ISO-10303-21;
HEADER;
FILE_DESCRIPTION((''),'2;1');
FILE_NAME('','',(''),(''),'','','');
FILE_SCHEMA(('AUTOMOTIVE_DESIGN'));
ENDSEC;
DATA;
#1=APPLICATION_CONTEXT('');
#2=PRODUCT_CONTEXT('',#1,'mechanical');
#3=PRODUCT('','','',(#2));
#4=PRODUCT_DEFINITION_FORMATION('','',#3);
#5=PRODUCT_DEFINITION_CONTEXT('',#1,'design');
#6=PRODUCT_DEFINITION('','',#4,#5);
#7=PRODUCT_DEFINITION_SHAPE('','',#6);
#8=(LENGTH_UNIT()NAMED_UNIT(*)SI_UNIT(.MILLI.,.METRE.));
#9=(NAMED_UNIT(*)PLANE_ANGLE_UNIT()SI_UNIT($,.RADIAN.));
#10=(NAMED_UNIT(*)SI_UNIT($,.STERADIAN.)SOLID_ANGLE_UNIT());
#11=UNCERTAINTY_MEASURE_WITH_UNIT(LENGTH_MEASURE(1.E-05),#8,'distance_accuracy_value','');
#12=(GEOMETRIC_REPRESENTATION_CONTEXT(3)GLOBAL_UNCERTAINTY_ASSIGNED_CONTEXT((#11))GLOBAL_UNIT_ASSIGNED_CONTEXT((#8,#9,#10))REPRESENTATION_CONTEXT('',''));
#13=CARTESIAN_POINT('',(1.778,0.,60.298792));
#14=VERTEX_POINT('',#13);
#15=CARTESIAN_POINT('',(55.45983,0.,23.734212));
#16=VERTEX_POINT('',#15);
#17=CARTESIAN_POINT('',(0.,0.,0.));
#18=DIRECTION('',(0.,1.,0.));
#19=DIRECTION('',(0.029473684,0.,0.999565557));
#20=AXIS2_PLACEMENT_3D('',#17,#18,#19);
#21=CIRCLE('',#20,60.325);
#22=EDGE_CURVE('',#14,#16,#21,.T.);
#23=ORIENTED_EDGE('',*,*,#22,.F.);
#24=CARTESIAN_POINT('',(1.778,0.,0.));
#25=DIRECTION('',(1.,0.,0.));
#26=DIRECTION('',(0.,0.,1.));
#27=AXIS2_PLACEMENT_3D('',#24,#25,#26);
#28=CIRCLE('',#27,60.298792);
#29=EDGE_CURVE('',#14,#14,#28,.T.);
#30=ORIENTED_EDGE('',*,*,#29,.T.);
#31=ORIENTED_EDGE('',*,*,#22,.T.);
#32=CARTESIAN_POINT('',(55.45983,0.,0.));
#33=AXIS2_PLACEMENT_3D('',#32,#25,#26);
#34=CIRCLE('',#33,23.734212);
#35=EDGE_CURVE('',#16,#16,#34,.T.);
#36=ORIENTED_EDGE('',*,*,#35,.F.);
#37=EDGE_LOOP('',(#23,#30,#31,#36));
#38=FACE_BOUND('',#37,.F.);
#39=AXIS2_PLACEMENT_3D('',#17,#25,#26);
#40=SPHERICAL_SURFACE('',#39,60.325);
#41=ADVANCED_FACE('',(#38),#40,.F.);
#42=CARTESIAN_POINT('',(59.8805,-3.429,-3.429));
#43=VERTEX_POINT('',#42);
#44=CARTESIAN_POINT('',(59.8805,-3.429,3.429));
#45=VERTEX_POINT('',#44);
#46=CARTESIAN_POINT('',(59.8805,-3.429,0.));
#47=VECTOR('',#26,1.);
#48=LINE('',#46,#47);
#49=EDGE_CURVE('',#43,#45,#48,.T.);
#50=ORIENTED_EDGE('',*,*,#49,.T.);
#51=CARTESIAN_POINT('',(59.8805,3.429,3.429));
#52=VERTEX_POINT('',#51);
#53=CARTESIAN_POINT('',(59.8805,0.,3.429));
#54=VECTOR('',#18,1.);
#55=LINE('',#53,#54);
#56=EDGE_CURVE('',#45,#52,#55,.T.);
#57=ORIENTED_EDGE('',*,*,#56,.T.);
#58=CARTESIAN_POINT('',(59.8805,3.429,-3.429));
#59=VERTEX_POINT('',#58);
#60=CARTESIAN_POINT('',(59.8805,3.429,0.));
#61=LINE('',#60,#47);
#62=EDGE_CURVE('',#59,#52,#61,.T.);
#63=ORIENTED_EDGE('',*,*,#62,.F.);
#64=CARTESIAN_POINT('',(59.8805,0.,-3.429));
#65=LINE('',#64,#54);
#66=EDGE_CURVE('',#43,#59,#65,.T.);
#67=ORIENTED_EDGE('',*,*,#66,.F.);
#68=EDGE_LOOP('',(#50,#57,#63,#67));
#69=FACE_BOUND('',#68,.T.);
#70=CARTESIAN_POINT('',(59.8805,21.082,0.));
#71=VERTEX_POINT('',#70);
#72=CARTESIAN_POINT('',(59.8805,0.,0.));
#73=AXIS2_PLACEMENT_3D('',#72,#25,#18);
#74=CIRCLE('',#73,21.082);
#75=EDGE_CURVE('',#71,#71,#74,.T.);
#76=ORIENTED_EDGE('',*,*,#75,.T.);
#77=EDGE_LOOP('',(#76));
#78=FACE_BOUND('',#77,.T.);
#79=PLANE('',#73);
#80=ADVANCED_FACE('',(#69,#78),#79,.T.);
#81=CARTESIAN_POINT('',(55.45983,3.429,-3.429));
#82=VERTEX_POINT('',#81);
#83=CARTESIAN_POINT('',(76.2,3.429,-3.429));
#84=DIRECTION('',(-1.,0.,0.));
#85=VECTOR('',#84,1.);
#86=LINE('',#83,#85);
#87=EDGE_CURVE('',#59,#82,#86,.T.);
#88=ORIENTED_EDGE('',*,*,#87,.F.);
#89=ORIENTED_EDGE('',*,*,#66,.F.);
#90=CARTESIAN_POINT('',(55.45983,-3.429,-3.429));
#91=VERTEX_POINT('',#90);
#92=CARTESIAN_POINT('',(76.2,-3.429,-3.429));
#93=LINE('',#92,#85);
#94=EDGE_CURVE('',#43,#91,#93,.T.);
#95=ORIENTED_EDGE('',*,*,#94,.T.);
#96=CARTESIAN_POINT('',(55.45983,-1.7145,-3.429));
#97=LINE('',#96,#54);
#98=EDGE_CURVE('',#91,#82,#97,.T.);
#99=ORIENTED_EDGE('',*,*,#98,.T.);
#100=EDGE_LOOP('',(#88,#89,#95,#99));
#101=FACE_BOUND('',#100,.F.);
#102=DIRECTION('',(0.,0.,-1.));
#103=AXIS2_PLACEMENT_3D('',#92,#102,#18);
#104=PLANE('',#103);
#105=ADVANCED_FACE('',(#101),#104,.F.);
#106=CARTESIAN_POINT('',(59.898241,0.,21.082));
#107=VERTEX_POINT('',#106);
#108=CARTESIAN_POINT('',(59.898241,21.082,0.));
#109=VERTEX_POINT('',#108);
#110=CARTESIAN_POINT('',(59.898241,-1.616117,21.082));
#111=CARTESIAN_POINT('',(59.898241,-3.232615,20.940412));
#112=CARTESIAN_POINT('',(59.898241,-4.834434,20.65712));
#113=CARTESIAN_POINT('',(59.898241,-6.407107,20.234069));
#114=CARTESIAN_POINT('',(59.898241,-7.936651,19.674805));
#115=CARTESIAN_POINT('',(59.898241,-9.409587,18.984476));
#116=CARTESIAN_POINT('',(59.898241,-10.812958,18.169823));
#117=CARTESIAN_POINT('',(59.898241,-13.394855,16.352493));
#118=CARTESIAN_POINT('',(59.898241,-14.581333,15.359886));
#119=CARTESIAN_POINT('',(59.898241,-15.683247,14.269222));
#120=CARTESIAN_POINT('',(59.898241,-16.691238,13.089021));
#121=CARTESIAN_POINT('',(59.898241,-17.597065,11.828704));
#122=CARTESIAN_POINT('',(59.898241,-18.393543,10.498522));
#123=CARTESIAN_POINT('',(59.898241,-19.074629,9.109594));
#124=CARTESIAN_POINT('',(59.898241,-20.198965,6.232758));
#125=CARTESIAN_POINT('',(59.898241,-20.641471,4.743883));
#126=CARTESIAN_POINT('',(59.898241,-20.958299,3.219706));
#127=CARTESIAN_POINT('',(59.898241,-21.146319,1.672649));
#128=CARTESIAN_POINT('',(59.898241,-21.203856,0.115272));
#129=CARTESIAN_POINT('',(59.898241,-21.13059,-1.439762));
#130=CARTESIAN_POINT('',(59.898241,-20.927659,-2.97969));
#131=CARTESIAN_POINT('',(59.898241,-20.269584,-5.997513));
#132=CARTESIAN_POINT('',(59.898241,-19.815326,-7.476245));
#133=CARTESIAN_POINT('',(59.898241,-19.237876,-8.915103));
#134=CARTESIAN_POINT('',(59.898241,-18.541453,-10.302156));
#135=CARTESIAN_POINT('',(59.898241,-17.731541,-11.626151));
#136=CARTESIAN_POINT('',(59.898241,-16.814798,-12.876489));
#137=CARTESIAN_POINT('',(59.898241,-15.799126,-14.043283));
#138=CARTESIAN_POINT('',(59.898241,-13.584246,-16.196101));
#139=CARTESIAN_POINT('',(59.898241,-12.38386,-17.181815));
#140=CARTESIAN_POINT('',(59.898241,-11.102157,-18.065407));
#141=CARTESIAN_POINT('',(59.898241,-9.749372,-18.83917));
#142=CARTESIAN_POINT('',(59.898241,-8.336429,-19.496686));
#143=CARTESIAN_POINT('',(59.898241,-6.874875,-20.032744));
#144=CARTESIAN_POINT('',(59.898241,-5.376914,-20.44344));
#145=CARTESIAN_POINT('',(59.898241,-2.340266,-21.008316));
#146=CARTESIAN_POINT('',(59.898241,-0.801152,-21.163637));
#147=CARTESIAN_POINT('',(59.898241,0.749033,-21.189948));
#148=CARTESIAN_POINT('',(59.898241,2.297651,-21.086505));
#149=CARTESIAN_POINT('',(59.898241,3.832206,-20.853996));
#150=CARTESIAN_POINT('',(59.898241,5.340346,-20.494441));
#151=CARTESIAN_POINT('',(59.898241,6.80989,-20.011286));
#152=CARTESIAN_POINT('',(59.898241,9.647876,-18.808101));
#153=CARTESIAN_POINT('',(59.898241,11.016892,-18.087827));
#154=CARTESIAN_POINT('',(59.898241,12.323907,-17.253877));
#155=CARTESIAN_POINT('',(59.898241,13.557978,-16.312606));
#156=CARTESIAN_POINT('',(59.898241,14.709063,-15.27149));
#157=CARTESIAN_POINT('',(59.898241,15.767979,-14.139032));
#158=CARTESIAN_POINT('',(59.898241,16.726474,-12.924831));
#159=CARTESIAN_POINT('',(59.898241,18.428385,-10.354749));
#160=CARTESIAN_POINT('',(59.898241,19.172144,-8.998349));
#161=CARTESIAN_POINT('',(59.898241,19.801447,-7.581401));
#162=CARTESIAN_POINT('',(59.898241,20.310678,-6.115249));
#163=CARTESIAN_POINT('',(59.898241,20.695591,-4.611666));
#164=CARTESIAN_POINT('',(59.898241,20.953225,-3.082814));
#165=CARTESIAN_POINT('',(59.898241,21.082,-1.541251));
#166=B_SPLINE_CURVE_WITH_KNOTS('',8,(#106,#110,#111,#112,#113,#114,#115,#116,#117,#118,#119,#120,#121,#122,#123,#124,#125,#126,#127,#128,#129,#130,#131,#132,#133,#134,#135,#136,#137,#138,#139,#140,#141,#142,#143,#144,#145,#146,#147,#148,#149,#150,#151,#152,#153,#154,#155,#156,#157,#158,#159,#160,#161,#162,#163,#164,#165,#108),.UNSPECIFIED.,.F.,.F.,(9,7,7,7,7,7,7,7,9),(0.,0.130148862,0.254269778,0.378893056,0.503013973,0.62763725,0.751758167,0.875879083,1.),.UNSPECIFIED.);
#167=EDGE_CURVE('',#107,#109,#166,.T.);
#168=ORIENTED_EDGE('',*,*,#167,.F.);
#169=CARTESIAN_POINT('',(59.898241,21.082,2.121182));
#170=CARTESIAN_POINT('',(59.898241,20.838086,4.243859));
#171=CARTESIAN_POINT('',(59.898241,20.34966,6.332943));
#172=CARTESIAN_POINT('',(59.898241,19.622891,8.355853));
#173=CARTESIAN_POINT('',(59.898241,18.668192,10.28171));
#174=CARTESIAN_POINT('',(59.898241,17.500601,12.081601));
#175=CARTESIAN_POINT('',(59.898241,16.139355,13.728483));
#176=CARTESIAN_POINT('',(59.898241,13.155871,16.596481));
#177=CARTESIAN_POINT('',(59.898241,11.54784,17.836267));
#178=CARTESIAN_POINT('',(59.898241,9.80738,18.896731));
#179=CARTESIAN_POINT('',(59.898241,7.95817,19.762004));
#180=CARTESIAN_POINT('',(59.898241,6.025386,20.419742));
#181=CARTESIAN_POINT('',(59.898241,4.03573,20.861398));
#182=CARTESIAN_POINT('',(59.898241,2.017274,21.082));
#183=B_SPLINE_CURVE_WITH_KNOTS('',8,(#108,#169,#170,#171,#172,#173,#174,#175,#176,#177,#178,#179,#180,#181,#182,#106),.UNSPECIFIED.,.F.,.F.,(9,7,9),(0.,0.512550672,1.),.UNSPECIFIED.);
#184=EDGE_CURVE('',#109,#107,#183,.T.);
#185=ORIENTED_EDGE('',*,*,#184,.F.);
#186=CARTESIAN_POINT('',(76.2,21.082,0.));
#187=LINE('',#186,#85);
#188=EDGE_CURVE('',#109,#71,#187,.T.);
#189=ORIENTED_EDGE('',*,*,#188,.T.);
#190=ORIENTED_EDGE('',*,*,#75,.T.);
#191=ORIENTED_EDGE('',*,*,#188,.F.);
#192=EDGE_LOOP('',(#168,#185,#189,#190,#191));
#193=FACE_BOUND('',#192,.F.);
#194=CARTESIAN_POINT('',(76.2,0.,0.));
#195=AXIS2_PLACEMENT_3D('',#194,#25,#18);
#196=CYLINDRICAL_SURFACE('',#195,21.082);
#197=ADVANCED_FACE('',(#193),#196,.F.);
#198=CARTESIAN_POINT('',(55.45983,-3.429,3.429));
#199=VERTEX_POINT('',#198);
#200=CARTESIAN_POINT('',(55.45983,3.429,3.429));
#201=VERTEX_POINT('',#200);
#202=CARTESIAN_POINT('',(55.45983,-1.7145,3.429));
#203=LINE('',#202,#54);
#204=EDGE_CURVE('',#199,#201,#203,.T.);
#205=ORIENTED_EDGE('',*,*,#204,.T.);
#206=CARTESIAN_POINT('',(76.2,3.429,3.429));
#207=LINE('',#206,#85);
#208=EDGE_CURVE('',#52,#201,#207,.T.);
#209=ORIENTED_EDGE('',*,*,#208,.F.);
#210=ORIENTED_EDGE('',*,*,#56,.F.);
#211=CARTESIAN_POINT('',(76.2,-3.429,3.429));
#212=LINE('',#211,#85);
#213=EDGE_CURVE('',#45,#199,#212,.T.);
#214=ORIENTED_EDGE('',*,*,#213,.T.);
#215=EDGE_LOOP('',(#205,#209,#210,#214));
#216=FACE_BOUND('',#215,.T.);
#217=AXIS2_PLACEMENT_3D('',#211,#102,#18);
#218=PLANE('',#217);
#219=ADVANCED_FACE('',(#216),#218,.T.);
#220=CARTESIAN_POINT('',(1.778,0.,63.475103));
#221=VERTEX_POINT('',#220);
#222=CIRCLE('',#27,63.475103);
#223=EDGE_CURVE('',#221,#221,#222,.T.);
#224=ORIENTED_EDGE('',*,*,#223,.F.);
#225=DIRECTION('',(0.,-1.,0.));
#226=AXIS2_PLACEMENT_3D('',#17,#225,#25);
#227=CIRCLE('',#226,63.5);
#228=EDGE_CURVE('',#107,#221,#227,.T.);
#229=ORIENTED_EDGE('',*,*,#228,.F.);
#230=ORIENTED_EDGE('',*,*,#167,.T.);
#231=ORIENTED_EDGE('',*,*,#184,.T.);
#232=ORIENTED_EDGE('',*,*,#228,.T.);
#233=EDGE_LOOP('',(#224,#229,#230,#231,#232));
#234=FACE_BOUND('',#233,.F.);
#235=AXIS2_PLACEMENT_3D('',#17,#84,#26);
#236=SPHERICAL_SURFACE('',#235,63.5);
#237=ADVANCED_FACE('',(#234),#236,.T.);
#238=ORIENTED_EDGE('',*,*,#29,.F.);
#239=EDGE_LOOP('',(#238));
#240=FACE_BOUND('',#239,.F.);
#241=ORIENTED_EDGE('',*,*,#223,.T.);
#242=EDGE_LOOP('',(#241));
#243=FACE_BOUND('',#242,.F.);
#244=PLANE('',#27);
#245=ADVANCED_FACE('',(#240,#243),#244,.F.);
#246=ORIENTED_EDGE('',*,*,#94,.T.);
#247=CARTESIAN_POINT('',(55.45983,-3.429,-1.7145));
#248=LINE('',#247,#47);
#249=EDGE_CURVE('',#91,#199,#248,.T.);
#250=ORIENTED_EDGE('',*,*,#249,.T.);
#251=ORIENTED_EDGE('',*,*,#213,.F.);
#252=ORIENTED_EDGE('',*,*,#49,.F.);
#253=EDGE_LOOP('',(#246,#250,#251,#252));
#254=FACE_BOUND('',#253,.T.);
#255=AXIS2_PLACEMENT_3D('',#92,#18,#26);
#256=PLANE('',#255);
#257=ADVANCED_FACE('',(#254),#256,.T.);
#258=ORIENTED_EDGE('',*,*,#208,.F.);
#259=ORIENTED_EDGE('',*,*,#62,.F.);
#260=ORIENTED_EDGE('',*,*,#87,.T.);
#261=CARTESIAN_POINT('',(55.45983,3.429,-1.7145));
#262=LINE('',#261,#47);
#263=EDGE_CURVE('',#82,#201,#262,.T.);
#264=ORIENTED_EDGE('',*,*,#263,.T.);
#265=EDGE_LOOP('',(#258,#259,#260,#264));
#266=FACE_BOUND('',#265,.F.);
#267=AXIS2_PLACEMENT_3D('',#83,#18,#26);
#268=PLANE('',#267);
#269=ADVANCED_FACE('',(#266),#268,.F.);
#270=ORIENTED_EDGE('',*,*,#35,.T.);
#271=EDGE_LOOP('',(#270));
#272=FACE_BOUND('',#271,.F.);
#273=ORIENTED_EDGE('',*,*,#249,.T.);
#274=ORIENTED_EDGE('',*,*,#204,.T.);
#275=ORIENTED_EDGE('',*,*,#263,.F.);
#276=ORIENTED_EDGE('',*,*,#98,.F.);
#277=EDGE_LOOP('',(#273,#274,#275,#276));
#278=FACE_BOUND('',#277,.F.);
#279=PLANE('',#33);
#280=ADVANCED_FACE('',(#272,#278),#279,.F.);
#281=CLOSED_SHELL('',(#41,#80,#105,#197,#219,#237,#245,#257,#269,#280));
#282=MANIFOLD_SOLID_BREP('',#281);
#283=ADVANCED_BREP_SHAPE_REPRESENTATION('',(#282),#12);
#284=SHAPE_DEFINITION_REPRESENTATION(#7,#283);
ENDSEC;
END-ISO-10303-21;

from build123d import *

# Parameters (mm, degrees)
F3_R     = 21.082
F3_W     = 6.858
F3_H     = 6.858
F4_DEPTH = 16.3195
F5_DEPTH = 54.356


with BuildPart() as f1:
    # F0 (on Front) → F1 (revolve)
    with BuildSketch(Plane.XZ):
        with BuildLine():
            Line((60.325, 0), (63.5, 0))
            ThreePointArc((63.5, 0), (45.5255587555, 44.2681996472), (1.778, 63.4751031193))
            Line((1.778, 63.4751031193), (1.778, 60.2987922018))
            ThreePointArc((1.778, 60.2987922018), (33.9600417382, 49.8580102906), (55.4598304439, 23.7342122711))
            ThreePointArc((55.4598304439, 23.7342122711), (59.0961923331, 12.113862998), (60.325, 0))
        make_face()
        with BuildLine():
            Line((55.4598304439, 0), (60.325, 0))
            ThreePointArc((60.325, 0), (59.0961923331, 12.113862998), (55.4598304439, 23.7342122711))
            Line((55.4598304439, 23.7342122711), (55.4598304439, 0))
        make_face()
    revolve(axis=Axis((32.639, 0, 0), (1, 0, 0)))

    # F3 (on offset) → F4 (cut)
    with BuildSketch(Plane.YZ.offset(76.2)):
        Circle(F3_R)
        Rectangle(F3_W, F3_H, mode=Mode.SUBTRACT)
    extrude(amount=-F4_DEPTH, mode=Mode.SUBTRACT)

    # F3 (on offset) → F5 (cut)
    with BuildSketch(Plane.YZ.offset(76.2)):
        Rectangle(F3_W, F3_H)
    extrude(amount=-F5_DEPTH, mode=Mode.SUBTRACT)


solid = f1.part
